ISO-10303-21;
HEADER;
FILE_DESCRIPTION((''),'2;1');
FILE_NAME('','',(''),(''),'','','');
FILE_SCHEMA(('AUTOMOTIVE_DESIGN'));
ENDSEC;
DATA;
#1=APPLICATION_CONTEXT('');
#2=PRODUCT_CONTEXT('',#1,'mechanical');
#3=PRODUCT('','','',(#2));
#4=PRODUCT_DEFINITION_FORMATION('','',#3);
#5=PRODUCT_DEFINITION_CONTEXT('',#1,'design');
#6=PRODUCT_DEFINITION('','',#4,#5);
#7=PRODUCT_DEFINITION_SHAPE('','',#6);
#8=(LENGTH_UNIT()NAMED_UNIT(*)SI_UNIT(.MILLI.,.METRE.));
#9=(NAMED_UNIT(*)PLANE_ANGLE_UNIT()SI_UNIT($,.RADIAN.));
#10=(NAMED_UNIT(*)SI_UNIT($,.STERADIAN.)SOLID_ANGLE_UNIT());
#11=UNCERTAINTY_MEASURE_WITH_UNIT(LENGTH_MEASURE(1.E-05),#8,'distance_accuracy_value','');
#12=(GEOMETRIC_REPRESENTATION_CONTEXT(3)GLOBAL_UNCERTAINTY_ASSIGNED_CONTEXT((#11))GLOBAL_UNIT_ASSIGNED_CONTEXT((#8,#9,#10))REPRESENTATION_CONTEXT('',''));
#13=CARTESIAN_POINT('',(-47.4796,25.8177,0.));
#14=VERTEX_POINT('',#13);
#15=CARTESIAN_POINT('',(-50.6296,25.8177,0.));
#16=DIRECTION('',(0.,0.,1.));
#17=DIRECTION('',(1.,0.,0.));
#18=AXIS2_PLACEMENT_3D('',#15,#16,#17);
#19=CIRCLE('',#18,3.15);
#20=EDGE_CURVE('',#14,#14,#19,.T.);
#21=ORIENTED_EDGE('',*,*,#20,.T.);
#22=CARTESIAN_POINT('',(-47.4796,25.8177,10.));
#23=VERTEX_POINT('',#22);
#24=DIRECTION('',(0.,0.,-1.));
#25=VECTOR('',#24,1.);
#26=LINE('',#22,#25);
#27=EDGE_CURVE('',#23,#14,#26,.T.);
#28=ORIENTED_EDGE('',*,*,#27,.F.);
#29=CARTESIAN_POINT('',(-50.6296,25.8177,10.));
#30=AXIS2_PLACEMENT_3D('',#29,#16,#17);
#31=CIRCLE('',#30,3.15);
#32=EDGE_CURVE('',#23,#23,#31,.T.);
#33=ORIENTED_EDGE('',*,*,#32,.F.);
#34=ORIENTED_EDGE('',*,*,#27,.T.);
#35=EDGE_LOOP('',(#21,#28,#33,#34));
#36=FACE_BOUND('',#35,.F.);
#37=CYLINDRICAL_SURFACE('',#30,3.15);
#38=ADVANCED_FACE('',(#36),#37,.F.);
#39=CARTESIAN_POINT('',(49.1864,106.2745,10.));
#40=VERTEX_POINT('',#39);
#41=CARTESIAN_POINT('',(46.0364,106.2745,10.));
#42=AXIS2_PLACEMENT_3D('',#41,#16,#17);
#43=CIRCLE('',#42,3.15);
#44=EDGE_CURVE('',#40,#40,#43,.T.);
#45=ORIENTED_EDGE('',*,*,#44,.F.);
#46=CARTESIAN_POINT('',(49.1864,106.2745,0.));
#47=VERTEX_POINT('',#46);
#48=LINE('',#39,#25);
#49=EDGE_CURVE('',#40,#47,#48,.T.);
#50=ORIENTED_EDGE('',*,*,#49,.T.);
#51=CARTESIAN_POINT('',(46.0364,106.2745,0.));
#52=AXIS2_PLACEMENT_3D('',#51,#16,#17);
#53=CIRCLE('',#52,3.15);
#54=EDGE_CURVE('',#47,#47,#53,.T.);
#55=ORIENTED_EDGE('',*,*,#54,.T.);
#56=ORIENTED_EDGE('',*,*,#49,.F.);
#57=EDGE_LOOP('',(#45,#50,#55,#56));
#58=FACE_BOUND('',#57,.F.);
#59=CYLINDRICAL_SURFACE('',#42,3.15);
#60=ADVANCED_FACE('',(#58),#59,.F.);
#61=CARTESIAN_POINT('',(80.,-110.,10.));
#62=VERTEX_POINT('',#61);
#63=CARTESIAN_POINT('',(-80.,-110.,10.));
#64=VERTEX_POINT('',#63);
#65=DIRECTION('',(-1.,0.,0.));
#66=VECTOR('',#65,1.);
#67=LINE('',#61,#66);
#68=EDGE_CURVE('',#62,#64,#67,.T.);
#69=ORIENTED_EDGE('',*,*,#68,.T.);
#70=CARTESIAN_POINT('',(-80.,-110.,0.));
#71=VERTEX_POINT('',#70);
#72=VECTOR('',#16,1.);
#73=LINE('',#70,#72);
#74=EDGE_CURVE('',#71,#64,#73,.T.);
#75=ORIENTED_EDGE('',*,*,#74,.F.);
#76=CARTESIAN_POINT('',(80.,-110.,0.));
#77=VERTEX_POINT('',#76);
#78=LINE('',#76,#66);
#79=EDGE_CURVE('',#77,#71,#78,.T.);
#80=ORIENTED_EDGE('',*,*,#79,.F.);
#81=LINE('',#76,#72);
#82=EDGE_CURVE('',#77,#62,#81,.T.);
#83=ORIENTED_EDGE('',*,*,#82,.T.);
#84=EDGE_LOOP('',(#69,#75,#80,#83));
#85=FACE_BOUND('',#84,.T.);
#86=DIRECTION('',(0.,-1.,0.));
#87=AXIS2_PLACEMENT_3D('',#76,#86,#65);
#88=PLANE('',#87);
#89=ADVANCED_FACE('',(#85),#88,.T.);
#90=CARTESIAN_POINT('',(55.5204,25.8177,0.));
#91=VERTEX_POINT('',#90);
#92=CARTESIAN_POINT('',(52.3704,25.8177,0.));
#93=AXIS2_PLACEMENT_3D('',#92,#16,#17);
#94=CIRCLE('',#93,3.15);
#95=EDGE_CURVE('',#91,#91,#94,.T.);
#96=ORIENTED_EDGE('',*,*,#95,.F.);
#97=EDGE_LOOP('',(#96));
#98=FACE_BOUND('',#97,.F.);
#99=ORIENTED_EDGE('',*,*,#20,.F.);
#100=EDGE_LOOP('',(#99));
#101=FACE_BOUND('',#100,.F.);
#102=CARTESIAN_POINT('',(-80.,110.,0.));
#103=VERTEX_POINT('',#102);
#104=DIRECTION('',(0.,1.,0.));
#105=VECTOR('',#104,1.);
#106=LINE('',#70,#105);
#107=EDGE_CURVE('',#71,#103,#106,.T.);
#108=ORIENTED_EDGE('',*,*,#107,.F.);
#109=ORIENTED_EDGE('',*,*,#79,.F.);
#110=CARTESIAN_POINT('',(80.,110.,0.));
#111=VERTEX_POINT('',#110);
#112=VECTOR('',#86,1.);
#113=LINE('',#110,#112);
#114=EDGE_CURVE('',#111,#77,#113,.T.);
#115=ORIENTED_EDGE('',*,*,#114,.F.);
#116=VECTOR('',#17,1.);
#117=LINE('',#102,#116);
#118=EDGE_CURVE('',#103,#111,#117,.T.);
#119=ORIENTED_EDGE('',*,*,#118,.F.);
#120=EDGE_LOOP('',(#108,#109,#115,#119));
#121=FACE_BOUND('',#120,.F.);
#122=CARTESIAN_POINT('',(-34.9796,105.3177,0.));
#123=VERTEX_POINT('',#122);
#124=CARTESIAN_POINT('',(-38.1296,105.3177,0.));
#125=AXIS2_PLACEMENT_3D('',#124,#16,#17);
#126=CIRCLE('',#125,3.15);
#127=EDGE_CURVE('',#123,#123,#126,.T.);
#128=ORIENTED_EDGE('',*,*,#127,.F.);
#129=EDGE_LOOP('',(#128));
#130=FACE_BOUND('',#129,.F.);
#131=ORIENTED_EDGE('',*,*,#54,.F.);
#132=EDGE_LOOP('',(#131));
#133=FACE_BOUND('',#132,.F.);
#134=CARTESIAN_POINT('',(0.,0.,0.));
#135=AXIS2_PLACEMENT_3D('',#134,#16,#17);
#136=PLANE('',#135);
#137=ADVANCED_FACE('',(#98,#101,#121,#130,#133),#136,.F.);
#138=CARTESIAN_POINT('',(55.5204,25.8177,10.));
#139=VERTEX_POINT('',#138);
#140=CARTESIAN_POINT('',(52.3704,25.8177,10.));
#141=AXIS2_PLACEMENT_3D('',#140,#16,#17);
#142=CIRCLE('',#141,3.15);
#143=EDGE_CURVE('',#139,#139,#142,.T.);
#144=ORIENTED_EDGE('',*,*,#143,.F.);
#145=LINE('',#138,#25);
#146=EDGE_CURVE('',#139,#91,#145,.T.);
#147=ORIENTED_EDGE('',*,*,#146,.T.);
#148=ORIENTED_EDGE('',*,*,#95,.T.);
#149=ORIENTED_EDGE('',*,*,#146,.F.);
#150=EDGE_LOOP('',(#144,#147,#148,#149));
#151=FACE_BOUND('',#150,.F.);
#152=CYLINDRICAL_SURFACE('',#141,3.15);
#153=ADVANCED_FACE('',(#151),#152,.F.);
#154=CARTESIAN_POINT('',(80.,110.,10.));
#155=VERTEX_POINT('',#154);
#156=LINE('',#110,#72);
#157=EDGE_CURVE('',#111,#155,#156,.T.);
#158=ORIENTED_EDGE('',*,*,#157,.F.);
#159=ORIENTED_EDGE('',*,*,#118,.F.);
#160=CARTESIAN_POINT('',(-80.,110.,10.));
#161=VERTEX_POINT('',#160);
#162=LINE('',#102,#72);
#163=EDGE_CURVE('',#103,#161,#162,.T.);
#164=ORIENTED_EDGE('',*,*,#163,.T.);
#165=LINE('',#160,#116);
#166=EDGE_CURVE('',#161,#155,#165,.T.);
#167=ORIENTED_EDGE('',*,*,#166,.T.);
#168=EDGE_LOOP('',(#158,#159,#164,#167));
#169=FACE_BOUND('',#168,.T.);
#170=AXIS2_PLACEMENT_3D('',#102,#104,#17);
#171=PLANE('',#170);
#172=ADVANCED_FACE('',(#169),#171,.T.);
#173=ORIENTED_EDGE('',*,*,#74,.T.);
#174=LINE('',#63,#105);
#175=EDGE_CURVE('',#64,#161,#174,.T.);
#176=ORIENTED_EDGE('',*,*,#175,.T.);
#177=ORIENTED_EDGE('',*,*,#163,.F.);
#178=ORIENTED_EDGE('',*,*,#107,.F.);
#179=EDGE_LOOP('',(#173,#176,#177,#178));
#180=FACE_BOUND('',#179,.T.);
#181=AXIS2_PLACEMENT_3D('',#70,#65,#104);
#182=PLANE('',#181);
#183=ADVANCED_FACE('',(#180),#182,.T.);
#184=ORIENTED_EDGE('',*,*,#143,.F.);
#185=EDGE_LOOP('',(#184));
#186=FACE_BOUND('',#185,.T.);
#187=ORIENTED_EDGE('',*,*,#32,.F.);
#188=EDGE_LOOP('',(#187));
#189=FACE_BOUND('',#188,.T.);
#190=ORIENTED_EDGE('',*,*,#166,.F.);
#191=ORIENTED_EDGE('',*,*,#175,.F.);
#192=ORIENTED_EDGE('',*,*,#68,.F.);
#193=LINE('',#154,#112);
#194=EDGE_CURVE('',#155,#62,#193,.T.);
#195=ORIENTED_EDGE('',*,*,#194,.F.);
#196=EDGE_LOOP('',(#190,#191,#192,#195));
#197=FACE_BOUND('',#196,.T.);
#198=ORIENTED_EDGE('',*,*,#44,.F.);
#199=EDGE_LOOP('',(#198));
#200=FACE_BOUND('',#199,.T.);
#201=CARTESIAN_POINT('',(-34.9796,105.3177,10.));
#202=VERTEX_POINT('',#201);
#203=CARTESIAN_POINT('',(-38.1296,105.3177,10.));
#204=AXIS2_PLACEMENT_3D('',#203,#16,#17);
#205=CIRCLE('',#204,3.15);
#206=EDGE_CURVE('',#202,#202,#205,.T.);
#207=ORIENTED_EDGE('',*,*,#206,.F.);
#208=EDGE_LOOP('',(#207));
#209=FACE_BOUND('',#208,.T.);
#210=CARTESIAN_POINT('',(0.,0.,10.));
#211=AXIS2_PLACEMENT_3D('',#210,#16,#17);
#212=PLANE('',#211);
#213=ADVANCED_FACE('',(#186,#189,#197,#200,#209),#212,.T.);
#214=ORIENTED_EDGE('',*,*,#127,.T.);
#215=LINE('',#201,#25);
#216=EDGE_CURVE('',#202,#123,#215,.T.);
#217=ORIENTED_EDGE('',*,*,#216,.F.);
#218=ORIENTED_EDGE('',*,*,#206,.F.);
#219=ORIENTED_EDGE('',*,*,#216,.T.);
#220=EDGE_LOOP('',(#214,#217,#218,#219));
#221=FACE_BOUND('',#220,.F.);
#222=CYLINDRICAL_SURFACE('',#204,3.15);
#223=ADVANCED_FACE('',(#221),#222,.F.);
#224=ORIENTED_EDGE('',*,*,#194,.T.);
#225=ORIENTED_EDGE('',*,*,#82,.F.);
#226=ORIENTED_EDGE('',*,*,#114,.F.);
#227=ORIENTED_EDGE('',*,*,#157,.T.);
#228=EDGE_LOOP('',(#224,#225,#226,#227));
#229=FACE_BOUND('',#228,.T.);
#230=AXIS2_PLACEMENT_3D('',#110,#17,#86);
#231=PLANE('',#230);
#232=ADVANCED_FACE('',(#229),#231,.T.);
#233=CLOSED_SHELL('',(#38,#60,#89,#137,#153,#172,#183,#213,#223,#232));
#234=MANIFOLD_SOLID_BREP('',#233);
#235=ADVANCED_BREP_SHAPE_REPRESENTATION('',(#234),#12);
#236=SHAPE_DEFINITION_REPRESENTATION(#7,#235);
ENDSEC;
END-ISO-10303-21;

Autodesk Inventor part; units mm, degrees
ref_plane "YZ Plane" through (0, 0, 0) normal (1, 0, 0) x (0, 1, 0)
ref_plane "XZ Plane" through (0, 0, 0) normal (0, 1, 0) x (-1, 0, 0)
ref_plane "XY Plane" through (0, 0, 0) normal (0, 0, 1) x (1, 0, 0)
sketch "Sketch1" plane through (0, 0, 0) normal (0, 0, 1) x (1, 0, 0)
  line L0 (-80, 110) -> (80, 110)
  line L1 (80, 110) -> (80, -110)
  line L2 (80, -110) -> (-80, -110)
  line L3 (-80, -110) -> (-80, 110)
  point P0 (0, 0)
  point P1 (-80, 0)
  point P2 (0, 110)
  dimension "d0" = 160
  dimension "d1" = 220
extrude "Extrusion1" add sketch "Sketch1" along normal blind 10
sketch "Sketch2" plane through (0, 0, 10) normal (0, 0, 1) x (1, 0, 0)
  circle A0 centre (52.3704, 25.8177) radius 1.7
  circle A1 centre (52.3704, 25.8177) radius 3.15
  circle A2 centre (-50.6296, 25.8177) radius 1.7
  circle A3 centre (-50.6296, 25.8177) radius 3.15
  circle A4 centre (-38.1296, 105.3177) radius 3.15
  circle A5 centre (46.0364, 106.2745) radius 1.7
  circle A6 centre (46.0364, 106.2745) radius 3.15
  circle A7 centre (52.3704, 25.8177) radius 3.15
  circle A8 centre (-50.6296, 25.8177) radius 3.15
  circle A9 centre (-38.1296, 105.3177) radius 3.15
  circle A10 centre (46.0364, 106.2745) radius 3.15
  point P0 (0, 0)
  point P1 (8.7862, 59.2077)
extrude "Extrusion2" cut sketch "Sketch2" against normal up to surface (10 mm away) contours A0 | A1 | A2 | A3 | A4 | A5 | A6
properties part number "sensor bottom"
